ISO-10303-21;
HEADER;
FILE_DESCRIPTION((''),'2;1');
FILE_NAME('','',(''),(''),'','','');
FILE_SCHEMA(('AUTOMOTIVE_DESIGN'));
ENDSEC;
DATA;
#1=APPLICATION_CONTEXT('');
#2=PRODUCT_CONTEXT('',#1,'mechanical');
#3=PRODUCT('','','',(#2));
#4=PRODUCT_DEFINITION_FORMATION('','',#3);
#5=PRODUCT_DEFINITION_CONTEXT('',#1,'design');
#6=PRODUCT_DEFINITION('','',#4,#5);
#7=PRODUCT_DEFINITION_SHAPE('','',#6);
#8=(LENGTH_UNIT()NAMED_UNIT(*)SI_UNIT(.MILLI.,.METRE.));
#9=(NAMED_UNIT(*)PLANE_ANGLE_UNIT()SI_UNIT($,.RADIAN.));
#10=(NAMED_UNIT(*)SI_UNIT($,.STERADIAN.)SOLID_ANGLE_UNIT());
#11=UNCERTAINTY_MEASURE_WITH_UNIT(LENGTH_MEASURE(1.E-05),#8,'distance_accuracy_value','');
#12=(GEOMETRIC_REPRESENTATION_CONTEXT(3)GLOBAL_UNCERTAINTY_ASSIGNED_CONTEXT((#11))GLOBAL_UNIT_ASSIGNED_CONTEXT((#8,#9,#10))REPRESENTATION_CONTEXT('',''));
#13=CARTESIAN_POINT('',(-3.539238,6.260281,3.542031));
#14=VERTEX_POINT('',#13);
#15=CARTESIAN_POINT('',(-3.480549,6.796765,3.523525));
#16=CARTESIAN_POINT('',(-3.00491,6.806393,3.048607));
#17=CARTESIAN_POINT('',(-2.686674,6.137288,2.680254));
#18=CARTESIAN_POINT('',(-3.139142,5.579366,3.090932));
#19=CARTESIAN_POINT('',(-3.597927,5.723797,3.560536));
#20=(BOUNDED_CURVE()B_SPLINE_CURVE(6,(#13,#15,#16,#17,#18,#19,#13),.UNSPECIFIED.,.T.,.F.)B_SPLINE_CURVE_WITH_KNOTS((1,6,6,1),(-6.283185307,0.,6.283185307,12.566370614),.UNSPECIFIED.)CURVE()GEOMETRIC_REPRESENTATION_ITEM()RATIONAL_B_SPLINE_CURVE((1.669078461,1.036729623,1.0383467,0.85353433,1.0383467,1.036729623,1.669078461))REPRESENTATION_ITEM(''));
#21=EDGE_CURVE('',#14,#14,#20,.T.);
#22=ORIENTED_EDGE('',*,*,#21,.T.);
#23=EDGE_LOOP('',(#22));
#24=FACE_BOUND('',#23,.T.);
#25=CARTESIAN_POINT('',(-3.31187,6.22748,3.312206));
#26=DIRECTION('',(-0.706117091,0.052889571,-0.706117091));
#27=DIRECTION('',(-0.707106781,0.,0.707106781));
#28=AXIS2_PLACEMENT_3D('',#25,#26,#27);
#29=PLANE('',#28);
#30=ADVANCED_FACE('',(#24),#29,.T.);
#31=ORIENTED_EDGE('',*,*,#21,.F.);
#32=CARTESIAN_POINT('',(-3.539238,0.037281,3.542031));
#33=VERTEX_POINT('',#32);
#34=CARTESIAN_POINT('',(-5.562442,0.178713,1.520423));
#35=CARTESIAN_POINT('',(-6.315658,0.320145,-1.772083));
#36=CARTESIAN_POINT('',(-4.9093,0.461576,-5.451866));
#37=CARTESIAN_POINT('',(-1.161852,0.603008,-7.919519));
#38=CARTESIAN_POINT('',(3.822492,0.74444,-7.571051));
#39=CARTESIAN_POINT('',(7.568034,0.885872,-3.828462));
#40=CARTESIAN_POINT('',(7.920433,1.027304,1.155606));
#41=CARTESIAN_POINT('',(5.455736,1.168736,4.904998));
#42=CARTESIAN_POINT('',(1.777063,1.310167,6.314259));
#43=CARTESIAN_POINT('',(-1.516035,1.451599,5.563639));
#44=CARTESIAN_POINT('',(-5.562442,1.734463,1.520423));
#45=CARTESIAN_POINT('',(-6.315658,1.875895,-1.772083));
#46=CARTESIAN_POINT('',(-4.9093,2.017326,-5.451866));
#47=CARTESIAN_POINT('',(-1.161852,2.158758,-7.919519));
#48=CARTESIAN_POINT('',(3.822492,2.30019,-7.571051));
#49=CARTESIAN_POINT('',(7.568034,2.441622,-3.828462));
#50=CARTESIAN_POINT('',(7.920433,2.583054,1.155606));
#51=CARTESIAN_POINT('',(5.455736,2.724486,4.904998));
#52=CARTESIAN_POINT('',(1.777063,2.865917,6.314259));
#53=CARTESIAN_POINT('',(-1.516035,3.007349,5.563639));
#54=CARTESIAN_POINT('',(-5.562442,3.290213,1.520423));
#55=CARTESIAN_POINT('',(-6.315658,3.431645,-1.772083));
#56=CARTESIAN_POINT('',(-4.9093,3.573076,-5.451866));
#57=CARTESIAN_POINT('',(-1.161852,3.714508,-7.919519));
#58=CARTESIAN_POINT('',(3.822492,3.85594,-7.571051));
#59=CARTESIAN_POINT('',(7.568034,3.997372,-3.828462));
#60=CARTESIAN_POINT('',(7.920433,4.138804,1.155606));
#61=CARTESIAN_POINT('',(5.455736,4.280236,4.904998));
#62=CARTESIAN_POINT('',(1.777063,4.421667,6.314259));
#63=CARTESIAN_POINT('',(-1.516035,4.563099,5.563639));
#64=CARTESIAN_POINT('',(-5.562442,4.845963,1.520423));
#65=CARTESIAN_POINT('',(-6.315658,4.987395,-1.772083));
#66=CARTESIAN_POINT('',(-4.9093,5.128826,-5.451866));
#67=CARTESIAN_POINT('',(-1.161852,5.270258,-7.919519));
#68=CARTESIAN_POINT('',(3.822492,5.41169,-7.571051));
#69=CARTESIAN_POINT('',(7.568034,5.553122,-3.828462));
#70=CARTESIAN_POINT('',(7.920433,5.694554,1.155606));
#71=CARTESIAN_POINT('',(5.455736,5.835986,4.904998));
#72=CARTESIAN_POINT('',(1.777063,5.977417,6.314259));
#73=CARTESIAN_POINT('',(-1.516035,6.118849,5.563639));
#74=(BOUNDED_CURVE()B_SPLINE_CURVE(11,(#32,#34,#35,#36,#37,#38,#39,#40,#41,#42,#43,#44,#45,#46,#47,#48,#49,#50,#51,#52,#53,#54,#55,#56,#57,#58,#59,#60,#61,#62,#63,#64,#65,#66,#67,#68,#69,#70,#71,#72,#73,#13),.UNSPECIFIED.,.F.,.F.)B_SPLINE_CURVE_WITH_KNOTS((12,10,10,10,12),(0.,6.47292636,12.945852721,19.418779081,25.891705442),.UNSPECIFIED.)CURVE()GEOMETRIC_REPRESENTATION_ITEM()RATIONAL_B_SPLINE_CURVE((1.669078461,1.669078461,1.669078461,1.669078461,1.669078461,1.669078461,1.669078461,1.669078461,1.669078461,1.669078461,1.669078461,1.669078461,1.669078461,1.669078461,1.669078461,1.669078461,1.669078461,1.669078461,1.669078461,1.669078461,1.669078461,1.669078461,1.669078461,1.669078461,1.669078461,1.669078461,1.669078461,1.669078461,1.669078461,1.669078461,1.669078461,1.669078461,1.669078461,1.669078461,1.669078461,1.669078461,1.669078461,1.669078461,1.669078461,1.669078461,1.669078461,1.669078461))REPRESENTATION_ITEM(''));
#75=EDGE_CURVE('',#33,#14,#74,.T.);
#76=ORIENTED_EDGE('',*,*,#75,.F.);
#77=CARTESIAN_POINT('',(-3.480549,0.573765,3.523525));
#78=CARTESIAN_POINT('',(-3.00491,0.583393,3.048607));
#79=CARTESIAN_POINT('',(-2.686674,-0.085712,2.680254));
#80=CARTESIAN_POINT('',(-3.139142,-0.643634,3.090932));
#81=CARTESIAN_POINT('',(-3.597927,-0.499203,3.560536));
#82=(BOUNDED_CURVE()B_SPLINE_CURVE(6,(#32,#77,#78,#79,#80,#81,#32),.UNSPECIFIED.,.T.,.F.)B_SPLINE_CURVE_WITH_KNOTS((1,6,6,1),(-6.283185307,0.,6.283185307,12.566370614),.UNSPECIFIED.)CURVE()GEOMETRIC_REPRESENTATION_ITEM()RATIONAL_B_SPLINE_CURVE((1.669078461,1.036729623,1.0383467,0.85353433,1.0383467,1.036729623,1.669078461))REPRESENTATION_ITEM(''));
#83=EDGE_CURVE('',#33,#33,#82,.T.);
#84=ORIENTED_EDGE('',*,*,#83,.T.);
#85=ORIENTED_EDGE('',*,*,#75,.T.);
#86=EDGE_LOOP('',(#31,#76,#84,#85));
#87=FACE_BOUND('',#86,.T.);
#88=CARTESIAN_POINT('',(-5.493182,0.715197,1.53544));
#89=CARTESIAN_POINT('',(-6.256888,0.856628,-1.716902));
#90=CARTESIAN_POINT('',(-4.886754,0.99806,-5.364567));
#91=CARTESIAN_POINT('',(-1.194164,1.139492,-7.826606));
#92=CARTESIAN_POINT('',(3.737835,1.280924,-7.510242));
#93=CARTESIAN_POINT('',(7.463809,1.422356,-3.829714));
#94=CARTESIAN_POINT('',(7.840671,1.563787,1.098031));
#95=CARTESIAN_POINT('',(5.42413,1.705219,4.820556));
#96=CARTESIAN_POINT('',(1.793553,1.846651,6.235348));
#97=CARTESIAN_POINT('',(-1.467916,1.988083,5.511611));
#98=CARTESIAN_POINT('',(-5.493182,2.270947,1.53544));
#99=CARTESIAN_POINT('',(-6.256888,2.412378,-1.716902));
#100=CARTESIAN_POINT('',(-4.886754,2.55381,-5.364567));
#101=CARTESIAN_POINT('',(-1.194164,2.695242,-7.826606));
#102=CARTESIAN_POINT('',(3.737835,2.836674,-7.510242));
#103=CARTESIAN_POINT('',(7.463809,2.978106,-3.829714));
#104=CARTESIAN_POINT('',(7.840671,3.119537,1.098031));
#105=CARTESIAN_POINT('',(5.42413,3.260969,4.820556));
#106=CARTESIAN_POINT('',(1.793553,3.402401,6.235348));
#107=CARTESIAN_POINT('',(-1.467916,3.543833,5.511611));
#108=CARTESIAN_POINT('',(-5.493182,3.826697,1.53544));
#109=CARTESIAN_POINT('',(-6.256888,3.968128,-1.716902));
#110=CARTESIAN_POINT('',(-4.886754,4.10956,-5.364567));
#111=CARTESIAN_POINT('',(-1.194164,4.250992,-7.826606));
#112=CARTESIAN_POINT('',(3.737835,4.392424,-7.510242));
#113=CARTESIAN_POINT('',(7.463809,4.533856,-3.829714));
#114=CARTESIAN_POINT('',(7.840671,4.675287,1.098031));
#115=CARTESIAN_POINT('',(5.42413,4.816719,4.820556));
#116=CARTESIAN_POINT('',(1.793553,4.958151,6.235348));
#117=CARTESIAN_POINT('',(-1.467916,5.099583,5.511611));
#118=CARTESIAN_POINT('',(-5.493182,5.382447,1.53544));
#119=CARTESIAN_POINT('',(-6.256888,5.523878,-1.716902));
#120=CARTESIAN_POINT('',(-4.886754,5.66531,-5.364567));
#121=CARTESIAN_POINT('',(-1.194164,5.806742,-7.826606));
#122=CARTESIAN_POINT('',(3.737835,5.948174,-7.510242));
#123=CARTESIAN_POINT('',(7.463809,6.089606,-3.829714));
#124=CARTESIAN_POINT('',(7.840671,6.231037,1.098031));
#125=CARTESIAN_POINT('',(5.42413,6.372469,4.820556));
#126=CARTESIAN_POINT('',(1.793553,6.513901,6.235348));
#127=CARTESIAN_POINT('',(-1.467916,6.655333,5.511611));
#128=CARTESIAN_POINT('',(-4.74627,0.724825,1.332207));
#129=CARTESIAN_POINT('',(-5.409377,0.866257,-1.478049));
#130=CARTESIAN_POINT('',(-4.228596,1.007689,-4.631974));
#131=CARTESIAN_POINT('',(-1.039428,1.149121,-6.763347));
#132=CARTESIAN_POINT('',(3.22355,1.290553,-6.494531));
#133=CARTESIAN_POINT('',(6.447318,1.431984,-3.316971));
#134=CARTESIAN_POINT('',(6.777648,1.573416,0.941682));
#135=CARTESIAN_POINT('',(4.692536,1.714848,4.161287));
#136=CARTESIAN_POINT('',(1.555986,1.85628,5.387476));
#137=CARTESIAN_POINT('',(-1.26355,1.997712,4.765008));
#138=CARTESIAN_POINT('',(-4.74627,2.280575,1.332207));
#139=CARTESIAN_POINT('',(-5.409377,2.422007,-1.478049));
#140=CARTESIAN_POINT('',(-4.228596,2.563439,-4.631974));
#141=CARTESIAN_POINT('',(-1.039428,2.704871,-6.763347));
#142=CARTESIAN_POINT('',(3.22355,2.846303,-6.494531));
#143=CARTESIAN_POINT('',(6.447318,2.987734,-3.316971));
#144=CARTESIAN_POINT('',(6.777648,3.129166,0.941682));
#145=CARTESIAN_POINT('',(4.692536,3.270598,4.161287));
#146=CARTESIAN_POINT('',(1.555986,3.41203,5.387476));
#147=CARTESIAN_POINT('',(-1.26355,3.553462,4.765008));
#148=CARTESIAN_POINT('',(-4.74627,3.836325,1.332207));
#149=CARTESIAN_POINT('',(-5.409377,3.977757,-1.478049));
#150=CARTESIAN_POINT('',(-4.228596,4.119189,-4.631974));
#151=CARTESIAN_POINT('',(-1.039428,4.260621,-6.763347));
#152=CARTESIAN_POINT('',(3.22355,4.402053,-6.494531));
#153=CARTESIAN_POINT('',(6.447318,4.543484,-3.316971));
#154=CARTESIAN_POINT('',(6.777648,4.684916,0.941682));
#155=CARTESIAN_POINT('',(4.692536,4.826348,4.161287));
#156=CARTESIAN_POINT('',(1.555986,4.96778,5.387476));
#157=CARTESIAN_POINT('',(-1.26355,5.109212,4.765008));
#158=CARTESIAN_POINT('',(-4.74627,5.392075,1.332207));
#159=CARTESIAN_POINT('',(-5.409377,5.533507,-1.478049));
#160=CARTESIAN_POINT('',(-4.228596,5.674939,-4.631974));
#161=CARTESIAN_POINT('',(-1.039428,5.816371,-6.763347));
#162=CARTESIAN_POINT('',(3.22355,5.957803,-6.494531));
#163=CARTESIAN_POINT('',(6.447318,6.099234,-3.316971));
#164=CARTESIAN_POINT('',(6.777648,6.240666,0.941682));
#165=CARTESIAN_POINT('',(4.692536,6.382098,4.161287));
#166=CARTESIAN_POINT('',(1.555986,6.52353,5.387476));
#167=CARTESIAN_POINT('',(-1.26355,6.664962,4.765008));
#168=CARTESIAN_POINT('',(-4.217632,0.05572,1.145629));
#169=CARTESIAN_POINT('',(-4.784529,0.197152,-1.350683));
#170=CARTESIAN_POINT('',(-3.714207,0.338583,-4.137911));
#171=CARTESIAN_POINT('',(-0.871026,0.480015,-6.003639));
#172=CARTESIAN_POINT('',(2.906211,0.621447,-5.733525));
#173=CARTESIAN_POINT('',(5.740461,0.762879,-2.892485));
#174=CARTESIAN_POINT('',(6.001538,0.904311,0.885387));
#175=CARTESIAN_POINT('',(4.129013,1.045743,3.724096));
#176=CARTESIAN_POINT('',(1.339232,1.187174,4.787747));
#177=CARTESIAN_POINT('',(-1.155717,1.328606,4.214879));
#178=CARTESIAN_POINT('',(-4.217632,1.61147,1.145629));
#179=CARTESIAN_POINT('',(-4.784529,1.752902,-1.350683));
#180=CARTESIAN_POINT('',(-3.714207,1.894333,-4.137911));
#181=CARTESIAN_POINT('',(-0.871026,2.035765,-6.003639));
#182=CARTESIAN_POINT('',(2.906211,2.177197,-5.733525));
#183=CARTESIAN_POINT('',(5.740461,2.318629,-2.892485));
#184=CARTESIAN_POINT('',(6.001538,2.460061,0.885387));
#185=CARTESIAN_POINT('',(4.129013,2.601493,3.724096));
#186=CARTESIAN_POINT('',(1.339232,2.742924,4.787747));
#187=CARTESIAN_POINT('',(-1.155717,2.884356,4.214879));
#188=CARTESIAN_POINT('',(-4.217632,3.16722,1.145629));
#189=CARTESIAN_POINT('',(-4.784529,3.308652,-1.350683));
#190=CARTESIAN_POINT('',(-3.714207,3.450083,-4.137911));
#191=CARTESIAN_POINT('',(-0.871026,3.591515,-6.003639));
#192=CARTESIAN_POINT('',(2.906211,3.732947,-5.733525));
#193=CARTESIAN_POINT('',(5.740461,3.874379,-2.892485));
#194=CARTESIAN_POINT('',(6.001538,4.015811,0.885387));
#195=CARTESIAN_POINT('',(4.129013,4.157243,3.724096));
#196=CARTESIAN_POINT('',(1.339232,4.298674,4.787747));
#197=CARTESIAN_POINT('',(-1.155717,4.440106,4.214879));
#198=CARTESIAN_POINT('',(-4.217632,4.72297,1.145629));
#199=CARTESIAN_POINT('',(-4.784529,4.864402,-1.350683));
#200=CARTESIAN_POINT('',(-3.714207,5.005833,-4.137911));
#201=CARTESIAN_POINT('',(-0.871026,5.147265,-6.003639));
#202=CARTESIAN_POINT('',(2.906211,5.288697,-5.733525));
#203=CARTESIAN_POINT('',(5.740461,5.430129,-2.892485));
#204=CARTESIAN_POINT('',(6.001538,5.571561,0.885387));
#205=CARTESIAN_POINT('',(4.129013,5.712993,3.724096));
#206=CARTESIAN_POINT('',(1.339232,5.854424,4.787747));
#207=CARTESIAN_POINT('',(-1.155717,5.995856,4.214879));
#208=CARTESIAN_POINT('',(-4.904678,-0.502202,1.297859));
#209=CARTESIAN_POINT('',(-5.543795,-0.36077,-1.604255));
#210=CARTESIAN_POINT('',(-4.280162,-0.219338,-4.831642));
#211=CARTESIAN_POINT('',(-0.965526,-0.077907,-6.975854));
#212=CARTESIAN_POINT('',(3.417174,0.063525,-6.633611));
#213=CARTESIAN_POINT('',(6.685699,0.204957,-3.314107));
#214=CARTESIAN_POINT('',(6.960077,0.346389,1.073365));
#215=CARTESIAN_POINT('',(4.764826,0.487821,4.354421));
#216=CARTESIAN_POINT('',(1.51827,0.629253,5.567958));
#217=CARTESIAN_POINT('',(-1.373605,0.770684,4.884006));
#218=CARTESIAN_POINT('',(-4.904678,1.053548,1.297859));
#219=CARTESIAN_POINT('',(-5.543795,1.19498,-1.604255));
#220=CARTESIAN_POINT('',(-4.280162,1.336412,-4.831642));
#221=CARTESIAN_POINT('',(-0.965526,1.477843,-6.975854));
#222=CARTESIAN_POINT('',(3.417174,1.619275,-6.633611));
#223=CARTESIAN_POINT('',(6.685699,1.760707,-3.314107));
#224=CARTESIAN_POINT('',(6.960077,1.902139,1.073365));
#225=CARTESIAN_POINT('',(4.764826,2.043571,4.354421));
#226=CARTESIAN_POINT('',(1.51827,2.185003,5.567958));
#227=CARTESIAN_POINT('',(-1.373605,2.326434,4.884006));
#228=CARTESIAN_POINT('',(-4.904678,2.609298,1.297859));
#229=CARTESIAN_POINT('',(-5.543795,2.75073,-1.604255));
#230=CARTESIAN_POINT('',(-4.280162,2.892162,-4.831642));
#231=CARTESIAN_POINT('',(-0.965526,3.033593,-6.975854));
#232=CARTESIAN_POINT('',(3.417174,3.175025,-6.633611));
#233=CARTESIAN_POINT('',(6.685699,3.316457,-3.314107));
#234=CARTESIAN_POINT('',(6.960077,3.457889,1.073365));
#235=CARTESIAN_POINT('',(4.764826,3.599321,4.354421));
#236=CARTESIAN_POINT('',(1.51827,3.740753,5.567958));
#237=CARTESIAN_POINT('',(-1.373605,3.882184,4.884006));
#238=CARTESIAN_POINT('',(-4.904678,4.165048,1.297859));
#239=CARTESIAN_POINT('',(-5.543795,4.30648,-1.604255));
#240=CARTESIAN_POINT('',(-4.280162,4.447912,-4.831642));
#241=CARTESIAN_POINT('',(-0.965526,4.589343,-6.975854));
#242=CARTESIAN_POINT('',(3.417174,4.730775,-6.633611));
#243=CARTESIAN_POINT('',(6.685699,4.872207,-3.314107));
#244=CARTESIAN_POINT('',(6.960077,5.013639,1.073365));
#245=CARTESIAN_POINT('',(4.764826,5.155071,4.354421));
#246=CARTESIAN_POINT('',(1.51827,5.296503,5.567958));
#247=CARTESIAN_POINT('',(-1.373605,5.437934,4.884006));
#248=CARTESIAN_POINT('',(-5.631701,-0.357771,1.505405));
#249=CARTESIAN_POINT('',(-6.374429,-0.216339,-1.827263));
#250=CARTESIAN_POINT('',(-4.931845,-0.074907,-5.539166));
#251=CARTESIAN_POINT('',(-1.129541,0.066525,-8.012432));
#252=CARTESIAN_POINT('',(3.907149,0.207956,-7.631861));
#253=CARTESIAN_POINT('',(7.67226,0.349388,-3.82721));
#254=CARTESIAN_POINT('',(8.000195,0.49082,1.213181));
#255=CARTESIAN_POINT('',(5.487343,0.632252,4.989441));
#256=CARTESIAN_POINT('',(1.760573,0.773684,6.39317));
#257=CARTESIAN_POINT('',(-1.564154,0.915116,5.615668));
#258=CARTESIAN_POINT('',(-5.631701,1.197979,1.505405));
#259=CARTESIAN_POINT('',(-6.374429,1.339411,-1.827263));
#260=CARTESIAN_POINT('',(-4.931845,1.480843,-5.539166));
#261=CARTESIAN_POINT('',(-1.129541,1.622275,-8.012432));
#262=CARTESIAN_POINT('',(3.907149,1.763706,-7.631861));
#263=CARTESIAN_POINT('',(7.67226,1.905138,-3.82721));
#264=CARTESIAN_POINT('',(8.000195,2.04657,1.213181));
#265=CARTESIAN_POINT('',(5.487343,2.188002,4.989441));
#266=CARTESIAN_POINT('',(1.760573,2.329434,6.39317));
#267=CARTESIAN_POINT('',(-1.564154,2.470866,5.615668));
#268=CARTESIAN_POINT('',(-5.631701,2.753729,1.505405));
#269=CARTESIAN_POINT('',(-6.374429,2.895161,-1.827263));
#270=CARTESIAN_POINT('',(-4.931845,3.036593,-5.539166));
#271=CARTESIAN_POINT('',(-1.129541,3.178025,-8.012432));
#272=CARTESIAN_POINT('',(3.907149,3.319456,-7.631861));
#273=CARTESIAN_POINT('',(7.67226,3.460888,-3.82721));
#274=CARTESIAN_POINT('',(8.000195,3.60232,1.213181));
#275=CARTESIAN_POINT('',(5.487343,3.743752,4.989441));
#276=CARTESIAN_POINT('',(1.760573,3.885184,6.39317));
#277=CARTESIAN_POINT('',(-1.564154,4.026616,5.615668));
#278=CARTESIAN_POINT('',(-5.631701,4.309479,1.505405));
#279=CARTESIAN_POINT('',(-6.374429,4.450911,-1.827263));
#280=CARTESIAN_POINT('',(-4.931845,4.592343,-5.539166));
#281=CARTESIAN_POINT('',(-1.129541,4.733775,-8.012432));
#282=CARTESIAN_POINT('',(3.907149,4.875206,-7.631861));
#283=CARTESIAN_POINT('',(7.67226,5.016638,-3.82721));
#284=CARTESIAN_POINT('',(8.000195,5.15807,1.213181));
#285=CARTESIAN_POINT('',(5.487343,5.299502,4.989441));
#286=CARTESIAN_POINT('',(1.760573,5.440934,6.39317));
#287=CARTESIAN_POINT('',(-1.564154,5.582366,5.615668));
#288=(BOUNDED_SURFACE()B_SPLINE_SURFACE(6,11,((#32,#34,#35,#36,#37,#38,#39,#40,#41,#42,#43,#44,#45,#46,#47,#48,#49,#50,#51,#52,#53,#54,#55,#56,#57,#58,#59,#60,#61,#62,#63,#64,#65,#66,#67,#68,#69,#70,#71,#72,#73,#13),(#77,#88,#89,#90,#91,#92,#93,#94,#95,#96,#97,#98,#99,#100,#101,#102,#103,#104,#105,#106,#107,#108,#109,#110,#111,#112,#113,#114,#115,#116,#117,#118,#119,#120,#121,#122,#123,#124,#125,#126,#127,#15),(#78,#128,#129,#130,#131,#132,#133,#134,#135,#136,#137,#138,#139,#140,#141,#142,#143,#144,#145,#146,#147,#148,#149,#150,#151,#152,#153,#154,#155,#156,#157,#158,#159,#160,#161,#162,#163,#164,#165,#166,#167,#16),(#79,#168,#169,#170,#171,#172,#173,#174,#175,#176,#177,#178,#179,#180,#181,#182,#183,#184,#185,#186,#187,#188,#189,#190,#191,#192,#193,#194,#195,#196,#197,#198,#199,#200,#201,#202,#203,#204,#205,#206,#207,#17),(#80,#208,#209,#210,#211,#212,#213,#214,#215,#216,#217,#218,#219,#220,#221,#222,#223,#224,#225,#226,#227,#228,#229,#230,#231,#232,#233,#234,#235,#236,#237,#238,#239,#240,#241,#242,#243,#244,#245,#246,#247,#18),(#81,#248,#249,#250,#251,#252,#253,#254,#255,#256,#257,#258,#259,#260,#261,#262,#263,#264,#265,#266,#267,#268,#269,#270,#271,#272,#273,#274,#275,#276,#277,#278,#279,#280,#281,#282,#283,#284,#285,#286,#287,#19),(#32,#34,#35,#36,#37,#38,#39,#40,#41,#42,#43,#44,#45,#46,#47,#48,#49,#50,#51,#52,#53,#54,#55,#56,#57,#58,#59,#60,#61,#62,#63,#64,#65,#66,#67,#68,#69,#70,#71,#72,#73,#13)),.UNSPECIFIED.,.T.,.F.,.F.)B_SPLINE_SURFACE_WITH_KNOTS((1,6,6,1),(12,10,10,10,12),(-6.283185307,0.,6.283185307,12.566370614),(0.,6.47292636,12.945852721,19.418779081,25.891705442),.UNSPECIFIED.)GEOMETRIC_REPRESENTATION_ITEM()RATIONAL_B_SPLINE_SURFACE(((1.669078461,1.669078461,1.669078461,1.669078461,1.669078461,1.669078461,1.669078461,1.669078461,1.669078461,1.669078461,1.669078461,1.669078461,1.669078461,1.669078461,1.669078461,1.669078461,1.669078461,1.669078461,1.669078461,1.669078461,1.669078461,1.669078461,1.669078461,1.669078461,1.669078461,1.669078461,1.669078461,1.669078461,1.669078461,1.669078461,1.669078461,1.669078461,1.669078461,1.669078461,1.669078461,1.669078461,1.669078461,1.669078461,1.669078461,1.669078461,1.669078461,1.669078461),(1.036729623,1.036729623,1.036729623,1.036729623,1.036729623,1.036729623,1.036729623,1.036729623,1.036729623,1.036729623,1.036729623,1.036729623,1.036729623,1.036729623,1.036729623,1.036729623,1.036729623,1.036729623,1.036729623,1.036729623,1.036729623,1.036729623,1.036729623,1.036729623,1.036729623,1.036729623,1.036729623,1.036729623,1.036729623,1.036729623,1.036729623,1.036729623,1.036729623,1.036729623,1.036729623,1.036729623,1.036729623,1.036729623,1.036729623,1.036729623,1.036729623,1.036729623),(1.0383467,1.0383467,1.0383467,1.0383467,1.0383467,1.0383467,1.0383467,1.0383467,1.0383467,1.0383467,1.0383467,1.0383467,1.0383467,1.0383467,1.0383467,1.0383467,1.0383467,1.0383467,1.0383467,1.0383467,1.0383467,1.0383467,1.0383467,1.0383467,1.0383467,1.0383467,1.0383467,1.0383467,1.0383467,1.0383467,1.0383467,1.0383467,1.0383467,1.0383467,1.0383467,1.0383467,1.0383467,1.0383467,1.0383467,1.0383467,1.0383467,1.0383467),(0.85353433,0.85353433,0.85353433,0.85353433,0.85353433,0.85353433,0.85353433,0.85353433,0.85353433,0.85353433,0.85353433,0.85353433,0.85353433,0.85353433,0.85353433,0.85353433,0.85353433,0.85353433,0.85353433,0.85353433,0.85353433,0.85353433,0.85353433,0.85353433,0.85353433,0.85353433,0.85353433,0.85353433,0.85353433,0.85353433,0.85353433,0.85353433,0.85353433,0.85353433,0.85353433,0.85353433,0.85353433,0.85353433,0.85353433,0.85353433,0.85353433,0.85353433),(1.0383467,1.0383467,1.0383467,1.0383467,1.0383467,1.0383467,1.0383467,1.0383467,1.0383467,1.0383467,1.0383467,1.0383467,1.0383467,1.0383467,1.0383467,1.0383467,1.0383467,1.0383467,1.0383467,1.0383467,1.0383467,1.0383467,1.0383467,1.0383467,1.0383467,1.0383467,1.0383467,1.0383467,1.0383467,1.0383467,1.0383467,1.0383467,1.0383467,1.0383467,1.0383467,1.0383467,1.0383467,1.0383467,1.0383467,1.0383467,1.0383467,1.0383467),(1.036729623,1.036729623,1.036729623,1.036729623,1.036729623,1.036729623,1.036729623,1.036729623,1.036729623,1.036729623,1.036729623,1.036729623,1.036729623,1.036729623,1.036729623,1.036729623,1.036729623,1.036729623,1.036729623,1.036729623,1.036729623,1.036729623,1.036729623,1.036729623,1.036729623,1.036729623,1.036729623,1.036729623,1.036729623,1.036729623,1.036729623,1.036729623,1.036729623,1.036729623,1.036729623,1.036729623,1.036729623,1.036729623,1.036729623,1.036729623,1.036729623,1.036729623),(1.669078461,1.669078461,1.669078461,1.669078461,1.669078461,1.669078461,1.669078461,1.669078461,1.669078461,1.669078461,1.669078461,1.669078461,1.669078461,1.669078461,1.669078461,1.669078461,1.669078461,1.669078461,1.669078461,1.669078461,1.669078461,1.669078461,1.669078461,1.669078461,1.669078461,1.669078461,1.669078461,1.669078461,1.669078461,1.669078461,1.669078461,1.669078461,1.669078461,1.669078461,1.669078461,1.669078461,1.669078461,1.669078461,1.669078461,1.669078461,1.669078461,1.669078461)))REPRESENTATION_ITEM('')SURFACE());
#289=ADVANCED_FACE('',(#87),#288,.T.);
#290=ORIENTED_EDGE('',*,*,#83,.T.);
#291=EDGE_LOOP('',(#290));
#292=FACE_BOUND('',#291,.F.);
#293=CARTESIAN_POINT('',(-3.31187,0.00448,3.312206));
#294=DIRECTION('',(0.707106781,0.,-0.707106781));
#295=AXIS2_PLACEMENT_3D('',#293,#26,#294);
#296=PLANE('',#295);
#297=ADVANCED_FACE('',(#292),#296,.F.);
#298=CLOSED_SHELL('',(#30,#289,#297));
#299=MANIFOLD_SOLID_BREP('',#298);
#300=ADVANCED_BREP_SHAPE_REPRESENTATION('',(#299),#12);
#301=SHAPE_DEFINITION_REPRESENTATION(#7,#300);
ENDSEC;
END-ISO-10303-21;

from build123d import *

# Parameters (mm, degrees)
SWEEP1_PITCH       = 1.55575
SWEEP1_HEIGHT      = 6.223
SWEEP1_RADIUS      = 4.675
SWEEP1_START_ANGLE = -45
SKETCH4_R          = 0.325


with BuildPart() as part:
    # Sweep1: sweep along a helix
    with BuildLine() as sweep1_path:
        add(Helix(SWEEP1_PITCH, SWEEP1_HEIGHT, SWEEP1_RADIUS, center=(0, 0, 0), direction=(0, 1, 0), lefthand=True, mode=Mode.PRIVATE).rotate(Axis((0, 0, 0), (0, 1, 0)), SWEEP1_START_ANGLE))
    # Sketch4 → Sweep1 (sweep)
    with BuildSketch(Plane(origin=(-3.305724202, 0, 3.305724202), x_dir=(-0.6997046632768491, 0.10094110133686449, 0.7072653520776571), z_dir=(-0.7061170912955571, 0.052889571378746926, -0.7061170912955402))):
        with Locations((0.00928562, 0.003561064)):
            Circle(SKETCH4_R)
    sweep(path=sweep1_path.line, is_frenet=True)


solid = part.part
